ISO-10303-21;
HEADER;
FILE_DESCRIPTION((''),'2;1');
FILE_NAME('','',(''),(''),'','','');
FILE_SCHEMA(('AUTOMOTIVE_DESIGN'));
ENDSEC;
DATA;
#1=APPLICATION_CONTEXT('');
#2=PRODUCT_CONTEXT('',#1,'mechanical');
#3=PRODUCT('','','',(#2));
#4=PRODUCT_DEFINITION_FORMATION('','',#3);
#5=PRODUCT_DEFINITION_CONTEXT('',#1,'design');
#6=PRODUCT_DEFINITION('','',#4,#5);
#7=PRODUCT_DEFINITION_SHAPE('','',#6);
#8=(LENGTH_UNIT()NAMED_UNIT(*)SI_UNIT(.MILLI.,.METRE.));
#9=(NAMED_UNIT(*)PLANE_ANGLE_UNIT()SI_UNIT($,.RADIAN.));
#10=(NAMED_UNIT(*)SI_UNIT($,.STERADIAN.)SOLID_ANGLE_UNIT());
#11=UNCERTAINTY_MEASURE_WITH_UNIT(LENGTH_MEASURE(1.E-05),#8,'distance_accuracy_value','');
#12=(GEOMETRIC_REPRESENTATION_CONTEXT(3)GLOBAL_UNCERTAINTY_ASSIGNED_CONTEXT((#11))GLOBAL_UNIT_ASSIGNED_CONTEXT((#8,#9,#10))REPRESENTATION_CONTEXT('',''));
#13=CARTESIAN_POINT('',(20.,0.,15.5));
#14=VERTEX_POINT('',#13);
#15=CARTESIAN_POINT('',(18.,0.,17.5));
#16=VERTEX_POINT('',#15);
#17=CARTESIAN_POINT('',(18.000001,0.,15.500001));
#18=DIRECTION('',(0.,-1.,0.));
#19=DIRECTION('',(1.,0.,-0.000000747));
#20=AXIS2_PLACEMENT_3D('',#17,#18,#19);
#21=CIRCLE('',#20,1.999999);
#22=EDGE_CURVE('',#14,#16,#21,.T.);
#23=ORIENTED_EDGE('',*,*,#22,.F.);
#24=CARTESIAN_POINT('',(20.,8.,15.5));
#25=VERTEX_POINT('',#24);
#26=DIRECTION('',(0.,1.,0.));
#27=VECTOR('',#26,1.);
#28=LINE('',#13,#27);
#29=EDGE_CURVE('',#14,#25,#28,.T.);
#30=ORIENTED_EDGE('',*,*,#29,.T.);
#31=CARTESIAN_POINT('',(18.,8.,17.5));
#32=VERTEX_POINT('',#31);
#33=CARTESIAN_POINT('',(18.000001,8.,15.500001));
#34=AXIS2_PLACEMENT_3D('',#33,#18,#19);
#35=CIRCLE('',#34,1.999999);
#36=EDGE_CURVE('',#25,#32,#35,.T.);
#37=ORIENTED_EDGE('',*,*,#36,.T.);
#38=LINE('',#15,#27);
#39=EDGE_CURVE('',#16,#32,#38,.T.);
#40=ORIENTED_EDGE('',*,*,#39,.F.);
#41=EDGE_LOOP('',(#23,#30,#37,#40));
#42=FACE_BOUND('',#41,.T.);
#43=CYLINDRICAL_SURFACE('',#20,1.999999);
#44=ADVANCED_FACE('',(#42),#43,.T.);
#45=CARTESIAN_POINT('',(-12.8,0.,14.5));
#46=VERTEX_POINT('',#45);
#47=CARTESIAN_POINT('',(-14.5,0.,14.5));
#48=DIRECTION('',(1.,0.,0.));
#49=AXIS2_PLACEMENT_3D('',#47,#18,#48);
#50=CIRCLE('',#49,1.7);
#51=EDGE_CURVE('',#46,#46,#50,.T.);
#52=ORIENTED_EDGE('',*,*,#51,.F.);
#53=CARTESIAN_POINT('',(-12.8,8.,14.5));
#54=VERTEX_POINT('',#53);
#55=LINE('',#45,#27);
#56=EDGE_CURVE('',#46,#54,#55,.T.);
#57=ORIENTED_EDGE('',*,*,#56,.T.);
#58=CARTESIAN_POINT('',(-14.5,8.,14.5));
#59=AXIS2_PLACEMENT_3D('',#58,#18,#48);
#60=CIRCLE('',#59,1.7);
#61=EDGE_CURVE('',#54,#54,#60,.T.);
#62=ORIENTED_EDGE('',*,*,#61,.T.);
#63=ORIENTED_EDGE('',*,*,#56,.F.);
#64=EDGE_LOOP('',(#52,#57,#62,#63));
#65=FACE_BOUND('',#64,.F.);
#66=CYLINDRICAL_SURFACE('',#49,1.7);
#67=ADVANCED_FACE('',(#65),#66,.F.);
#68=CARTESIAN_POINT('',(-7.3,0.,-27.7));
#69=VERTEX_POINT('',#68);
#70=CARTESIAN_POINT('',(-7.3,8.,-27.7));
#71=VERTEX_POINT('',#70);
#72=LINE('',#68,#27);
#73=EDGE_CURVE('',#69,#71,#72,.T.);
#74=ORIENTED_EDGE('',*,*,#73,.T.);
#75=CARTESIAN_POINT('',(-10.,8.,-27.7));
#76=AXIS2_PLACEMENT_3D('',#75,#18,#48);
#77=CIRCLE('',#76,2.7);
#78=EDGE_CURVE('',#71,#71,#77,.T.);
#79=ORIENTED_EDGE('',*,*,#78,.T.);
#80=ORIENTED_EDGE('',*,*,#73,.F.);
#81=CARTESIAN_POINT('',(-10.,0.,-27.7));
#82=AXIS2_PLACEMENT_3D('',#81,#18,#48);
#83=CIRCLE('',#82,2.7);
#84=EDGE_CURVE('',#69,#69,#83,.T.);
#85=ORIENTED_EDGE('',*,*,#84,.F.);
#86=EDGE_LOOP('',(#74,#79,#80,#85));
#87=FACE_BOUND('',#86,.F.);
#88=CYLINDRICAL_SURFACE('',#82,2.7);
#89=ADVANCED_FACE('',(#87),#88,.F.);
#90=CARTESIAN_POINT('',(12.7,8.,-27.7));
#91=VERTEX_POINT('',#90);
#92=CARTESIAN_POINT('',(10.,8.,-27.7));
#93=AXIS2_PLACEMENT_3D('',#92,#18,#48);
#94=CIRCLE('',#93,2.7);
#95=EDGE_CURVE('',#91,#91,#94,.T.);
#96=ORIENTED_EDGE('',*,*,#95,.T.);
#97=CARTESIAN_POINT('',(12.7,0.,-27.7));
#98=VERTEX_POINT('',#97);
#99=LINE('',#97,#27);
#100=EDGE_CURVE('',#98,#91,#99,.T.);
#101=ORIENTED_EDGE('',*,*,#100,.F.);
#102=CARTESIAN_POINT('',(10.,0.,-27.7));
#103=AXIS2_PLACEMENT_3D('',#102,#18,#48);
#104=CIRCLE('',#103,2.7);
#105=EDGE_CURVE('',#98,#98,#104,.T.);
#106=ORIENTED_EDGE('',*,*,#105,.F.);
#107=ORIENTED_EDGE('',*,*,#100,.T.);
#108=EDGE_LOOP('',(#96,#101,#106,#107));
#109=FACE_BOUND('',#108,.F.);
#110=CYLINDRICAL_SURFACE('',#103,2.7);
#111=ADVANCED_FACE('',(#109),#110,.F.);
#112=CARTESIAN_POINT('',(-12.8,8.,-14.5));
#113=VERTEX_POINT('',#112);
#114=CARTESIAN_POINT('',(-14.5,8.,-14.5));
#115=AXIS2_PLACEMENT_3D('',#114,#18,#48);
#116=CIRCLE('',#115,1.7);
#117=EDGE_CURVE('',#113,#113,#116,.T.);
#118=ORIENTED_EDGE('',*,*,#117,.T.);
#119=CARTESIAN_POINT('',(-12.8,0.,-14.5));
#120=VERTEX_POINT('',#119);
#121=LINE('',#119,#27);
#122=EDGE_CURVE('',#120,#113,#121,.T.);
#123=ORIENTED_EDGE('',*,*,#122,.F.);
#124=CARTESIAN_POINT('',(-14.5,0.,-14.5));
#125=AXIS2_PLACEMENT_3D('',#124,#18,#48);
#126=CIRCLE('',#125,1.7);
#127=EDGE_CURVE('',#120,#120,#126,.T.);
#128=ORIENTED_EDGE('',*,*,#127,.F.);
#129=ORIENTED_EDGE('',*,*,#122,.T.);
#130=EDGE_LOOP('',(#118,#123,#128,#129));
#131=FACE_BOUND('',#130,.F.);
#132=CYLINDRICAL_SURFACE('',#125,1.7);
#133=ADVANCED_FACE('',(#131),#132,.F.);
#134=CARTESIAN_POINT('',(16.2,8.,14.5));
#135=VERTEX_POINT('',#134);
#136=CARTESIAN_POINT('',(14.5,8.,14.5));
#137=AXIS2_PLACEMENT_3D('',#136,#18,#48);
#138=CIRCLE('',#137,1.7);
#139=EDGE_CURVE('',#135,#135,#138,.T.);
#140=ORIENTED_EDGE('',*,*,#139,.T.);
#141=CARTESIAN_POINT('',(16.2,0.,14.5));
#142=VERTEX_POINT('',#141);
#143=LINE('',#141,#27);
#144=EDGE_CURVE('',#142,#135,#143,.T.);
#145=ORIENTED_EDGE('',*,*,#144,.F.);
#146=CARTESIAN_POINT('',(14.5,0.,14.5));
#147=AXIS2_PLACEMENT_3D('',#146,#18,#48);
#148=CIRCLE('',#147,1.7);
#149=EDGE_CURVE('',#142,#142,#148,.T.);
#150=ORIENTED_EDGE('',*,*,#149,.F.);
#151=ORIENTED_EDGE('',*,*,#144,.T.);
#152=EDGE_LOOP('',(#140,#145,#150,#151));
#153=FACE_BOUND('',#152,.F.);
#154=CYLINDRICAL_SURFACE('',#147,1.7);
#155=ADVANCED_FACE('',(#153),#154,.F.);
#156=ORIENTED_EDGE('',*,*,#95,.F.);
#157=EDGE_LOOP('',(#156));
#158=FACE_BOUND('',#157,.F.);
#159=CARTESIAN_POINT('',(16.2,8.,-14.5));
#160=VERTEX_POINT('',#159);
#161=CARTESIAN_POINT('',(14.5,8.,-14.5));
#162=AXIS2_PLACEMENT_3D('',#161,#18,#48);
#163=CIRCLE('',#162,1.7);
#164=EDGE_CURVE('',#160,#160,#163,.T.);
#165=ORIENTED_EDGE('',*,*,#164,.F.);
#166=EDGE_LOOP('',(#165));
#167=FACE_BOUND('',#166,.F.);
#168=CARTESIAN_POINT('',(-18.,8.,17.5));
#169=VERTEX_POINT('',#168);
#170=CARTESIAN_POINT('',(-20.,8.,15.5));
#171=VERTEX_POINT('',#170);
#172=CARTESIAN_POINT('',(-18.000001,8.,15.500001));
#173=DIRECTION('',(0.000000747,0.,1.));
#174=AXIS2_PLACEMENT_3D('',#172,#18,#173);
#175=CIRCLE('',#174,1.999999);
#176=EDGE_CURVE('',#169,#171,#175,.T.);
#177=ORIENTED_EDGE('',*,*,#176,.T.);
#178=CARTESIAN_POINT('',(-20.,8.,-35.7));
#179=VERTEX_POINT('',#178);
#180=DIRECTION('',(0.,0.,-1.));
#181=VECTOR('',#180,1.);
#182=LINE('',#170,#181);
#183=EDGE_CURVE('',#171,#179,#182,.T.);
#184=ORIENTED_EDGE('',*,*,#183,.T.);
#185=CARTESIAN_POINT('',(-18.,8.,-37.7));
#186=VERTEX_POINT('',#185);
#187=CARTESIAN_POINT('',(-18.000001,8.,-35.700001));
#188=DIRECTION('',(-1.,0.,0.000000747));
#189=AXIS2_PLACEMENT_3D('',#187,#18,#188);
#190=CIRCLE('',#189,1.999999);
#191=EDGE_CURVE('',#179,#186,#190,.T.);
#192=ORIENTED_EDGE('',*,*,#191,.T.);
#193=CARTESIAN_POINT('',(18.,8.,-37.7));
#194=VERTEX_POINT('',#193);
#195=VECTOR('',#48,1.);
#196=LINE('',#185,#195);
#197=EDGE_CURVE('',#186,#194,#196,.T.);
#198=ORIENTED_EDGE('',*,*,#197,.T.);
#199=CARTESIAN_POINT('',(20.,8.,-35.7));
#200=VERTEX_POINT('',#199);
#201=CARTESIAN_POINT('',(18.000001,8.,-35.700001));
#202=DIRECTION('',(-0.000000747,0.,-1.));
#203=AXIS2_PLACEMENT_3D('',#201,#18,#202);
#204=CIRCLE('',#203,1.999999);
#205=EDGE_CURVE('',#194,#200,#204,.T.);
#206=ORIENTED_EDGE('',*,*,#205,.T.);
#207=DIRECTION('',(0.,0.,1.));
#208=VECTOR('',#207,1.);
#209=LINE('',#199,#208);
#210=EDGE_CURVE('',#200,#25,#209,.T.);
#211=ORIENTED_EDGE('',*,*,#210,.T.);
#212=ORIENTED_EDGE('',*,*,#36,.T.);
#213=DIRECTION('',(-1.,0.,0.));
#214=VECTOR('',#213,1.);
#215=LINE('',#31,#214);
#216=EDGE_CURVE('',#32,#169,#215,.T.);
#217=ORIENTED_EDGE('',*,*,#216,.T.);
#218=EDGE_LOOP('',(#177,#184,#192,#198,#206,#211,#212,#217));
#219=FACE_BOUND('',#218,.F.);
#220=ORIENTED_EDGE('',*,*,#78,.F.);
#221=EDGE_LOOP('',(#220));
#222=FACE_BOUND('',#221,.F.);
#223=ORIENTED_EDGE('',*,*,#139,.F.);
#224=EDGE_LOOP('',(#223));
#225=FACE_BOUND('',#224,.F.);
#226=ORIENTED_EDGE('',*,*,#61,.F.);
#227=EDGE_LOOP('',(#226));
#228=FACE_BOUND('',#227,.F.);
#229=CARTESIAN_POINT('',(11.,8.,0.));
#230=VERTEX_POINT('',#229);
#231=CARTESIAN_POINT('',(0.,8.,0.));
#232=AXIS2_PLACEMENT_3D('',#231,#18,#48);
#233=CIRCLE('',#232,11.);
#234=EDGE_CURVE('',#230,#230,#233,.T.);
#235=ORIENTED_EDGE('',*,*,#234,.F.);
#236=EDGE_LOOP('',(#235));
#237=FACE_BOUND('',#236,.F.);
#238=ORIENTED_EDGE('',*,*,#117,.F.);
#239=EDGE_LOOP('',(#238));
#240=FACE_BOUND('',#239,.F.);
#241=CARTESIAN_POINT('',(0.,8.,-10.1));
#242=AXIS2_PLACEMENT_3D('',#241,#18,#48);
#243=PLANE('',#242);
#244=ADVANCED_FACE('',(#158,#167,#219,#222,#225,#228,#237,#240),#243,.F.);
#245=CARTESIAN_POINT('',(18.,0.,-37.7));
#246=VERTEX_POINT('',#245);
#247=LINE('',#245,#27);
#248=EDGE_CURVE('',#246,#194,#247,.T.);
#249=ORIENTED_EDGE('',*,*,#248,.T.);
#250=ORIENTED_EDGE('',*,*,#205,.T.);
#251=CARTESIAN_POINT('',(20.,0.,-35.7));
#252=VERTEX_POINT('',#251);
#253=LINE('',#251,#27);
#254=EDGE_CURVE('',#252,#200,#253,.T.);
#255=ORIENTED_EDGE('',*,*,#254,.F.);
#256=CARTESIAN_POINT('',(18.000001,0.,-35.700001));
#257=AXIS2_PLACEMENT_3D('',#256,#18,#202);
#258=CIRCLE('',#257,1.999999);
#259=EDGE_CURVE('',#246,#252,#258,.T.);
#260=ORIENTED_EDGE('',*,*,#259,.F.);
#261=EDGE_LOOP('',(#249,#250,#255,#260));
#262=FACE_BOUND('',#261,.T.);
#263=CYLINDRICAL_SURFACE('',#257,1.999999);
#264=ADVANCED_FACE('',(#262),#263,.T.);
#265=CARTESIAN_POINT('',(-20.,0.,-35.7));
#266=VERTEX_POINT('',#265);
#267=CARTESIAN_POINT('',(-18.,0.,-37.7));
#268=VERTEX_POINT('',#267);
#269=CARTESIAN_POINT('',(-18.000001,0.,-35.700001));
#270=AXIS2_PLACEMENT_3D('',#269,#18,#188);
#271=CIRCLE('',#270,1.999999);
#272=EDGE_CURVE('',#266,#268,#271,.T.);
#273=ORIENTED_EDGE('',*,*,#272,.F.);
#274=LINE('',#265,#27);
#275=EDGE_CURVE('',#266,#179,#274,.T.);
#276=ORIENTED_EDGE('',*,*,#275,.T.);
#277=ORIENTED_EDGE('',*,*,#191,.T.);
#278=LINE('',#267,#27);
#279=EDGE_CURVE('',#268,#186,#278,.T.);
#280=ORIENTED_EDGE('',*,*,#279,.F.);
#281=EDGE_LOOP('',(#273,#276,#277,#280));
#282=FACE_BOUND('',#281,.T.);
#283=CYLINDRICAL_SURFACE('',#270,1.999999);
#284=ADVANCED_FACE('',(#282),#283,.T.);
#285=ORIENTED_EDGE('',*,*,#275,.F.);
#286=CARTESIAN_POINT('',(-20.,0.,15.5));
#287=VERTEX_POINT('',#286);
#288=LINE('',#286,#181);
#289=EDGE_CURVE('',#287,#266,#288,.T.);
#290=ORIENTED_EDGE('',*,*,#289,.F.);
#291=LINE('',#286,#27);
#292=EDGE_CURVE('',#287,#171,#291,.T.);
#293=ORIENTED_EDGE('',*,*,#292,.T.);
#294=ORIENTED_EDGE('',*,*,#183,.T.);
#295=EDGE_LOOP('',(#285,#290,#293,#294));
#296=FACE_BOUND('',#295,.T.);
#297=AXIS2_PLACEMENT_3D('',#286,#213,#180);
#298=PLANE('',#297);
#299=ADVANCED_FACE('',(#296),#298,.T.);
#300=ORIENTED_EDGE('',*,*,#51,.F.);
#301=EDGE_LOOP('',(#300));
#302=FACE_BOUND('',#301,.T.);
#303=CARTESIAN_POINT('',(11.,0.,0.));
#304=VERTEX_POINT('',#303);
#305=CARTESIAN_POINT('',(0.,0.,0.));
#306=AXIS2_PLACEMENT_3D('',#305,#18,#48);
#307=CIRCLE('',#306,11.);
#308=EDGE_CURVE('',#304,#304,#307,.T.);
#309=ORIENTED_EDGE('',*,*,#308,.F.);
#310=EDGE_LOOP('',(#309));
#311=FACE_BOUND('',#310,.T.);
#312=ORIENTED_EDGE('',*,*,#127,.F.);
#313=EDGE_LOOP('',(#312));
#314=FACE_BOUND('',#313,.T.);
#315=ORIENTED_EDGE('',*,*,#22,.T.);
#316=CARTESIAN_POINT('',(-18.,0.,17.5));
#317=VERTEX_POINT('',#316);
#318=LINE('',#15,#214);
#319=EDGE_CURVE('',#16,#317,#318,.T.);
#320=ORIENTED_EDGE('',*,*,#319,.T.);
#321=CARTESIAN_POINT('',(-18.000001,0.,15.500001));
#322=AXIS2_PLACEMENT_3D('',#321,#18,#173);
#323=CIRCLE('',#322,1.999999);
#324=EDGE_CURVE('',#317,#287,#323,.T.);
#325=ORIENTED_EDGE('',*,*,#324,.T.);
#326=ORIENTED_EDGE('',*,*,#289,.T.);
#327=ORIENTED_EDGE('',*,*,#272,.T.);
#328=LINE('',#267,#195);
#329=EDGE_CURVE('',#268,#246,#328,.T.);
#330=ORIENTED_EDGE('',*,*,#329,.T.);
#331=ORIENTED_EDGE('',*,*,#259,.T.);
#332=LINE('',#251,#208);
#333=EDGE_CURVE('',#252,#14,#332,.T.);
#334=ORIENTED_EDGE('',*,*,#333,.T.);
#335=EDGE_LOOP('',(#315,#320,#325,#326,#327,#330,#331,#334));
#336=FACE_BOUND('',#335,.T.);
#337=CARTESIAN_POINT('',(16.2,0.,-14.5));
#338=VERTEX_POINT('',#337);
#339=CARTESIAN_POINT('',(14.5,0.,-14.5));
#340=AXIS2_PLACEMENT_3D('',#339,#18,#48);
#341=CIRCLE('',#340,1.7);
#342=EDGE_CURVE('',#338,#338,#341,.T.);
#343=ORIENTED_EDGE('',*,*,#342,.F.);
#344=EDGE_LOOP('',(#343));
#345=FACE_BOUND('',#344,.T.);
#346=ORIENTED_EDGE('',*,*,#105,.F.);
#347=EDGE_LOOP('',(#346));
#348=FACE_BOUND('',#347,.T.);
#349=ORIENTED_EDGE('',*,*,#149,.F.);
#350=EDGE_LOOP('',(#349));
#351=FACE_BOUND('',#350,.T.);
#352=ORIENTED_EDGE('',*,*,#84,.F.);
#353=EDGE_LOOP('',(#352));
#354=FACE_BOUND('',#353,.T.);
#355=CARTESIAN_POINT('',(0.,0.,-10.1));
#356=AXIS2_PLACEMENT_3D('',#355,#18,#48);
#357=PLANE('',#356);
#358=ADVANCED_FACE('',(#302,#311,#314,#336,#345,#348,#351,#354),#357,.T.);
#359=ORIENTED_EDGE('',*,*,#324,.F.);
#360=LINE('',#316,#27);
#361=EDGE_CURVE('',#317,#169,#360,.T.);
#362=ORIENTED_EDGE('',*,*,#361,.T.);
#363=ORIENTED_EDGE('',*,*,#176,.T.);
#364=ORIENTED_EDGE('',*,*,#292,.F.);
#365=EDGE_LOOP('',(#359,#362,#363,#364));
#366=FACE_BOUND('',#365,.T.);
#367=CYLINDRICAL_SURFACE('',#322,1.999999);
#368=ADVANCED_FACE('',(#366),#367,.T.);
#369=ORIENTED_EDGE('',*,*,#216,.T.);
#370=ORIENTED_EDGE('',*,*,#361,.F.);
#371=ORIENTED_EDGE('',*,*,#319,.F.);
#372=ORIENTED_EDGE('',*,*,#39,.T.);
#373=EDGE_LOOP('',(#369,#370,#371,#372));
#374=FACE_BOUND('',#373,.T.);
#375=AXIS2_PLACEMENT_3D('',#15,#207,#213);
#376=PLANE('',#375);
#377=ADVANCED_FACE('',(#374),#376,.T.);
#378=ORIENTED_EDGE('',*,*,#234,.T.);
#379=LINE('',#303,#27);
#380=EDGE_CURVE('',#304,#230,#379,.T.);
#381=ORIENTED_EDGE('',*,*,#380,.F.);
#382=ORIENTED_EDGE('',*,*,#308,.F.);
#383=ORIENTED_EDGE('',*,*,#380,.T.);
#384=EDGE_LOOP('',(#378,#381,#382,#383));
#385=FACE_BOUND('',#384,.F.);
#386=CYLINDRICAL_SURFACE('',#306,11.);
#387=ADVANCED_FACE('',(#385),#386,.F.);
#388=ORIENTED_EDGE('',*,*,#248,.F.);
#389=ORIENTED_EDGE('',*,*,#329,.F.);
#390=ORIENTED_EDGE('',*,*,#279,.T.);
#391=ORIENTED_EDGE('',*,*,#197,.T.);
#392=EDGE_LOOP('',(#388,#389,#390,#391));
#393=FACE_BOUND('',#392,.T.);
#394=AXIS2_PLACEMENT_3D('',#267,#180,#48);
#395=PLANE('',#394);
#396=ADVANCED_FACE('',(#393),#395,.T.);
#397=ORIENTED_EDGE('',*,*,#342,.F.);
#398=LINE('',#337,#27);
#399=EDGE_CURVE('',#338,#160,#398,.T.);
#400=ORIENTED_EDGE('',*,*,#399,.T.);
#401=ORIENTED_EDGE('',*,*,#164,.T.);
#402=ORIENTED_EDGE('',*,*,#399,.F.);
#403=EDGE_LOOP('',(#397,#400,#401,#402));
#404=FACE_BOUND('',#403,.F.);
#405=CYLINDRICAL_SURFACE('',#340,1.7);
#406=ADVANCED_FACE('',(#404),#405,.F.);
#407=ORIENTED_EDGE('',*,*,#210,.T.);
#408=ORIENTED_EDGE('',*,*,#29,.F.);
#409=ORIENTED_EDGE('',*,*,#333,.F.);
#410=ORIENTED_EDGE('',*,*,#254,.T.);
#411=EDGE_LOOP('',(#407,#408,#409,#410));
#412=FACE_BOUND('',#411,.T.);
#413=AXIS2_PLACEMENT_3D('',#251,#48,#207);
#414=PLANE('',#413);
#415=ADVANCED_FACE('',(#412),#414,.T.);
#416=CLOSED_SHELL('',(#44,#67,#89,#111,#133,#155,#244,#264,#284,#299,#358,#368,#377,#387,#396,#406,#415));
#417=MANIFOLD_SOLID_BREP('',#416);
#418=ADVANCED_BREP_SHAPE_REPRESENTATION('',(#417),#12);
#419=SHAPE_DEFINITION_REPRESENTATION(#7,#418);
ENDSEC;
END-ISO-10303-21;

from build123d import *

# Parameters (mm, degrees)
F0_R     = 2.7
F0_R_2   = 1.7
F0_R_3   = 11
F1_DEPTH = 8


with BuildPart() as f1:
    # F0 (on Front) → F1 (new body)
    with BuildSketch(Plane.XZ):
        with BuildLine():
            ThreePointArc((-18, 17.5), (-19.414214, 16.914214), (-20, 15.5))
            Line((-20, 15.5), (-20, -35.7))
            ThreePointArc((-20, -35.7), (-19.414214, -37.114214), (-18, -37.7))
            Line((-18, -37.7), (18, -37.7))
            ThreePointArc((18, -37.7), (19.414214, -37.114214), (20, -35.7))
            Line((20, -35.7), (20, 15.5))
            ThreePointArc((20, 15.5), (19.414214, 16.914214), (18, 17.5))
            Line((18, 17.5), (-18, 17.5))
        make_face()
        with Locations((-10, -27.7)):
            Circle(F0_R, mode=Mode.SUBTRACT)
        with Locations((-14.5, -14.5)):
            Circle(F0_R_2, mode=Mode.SUBTRACT)
        with Locations((10, -27.7)):
            Circle(F0_R, mode=Mode.SUBTRACT)
        with Locations((14.5, -14.5)):
            Circle(F0_R_2, mode=Mode.SUBTRACT)
        with Locations((-14.5, 14.5)):
            Circle(F0_R_2, mode=Mode.SUBTRACT)
        Circle(F0_R_3, mode=Mode.SUBTRACT)
        with Locations((14.5, 14.5)):
            Circle(F0_R_2, mode=Mode.SUBTRACT)
    extrude(amount=-F1_DEPTH)


solid = f1.part
